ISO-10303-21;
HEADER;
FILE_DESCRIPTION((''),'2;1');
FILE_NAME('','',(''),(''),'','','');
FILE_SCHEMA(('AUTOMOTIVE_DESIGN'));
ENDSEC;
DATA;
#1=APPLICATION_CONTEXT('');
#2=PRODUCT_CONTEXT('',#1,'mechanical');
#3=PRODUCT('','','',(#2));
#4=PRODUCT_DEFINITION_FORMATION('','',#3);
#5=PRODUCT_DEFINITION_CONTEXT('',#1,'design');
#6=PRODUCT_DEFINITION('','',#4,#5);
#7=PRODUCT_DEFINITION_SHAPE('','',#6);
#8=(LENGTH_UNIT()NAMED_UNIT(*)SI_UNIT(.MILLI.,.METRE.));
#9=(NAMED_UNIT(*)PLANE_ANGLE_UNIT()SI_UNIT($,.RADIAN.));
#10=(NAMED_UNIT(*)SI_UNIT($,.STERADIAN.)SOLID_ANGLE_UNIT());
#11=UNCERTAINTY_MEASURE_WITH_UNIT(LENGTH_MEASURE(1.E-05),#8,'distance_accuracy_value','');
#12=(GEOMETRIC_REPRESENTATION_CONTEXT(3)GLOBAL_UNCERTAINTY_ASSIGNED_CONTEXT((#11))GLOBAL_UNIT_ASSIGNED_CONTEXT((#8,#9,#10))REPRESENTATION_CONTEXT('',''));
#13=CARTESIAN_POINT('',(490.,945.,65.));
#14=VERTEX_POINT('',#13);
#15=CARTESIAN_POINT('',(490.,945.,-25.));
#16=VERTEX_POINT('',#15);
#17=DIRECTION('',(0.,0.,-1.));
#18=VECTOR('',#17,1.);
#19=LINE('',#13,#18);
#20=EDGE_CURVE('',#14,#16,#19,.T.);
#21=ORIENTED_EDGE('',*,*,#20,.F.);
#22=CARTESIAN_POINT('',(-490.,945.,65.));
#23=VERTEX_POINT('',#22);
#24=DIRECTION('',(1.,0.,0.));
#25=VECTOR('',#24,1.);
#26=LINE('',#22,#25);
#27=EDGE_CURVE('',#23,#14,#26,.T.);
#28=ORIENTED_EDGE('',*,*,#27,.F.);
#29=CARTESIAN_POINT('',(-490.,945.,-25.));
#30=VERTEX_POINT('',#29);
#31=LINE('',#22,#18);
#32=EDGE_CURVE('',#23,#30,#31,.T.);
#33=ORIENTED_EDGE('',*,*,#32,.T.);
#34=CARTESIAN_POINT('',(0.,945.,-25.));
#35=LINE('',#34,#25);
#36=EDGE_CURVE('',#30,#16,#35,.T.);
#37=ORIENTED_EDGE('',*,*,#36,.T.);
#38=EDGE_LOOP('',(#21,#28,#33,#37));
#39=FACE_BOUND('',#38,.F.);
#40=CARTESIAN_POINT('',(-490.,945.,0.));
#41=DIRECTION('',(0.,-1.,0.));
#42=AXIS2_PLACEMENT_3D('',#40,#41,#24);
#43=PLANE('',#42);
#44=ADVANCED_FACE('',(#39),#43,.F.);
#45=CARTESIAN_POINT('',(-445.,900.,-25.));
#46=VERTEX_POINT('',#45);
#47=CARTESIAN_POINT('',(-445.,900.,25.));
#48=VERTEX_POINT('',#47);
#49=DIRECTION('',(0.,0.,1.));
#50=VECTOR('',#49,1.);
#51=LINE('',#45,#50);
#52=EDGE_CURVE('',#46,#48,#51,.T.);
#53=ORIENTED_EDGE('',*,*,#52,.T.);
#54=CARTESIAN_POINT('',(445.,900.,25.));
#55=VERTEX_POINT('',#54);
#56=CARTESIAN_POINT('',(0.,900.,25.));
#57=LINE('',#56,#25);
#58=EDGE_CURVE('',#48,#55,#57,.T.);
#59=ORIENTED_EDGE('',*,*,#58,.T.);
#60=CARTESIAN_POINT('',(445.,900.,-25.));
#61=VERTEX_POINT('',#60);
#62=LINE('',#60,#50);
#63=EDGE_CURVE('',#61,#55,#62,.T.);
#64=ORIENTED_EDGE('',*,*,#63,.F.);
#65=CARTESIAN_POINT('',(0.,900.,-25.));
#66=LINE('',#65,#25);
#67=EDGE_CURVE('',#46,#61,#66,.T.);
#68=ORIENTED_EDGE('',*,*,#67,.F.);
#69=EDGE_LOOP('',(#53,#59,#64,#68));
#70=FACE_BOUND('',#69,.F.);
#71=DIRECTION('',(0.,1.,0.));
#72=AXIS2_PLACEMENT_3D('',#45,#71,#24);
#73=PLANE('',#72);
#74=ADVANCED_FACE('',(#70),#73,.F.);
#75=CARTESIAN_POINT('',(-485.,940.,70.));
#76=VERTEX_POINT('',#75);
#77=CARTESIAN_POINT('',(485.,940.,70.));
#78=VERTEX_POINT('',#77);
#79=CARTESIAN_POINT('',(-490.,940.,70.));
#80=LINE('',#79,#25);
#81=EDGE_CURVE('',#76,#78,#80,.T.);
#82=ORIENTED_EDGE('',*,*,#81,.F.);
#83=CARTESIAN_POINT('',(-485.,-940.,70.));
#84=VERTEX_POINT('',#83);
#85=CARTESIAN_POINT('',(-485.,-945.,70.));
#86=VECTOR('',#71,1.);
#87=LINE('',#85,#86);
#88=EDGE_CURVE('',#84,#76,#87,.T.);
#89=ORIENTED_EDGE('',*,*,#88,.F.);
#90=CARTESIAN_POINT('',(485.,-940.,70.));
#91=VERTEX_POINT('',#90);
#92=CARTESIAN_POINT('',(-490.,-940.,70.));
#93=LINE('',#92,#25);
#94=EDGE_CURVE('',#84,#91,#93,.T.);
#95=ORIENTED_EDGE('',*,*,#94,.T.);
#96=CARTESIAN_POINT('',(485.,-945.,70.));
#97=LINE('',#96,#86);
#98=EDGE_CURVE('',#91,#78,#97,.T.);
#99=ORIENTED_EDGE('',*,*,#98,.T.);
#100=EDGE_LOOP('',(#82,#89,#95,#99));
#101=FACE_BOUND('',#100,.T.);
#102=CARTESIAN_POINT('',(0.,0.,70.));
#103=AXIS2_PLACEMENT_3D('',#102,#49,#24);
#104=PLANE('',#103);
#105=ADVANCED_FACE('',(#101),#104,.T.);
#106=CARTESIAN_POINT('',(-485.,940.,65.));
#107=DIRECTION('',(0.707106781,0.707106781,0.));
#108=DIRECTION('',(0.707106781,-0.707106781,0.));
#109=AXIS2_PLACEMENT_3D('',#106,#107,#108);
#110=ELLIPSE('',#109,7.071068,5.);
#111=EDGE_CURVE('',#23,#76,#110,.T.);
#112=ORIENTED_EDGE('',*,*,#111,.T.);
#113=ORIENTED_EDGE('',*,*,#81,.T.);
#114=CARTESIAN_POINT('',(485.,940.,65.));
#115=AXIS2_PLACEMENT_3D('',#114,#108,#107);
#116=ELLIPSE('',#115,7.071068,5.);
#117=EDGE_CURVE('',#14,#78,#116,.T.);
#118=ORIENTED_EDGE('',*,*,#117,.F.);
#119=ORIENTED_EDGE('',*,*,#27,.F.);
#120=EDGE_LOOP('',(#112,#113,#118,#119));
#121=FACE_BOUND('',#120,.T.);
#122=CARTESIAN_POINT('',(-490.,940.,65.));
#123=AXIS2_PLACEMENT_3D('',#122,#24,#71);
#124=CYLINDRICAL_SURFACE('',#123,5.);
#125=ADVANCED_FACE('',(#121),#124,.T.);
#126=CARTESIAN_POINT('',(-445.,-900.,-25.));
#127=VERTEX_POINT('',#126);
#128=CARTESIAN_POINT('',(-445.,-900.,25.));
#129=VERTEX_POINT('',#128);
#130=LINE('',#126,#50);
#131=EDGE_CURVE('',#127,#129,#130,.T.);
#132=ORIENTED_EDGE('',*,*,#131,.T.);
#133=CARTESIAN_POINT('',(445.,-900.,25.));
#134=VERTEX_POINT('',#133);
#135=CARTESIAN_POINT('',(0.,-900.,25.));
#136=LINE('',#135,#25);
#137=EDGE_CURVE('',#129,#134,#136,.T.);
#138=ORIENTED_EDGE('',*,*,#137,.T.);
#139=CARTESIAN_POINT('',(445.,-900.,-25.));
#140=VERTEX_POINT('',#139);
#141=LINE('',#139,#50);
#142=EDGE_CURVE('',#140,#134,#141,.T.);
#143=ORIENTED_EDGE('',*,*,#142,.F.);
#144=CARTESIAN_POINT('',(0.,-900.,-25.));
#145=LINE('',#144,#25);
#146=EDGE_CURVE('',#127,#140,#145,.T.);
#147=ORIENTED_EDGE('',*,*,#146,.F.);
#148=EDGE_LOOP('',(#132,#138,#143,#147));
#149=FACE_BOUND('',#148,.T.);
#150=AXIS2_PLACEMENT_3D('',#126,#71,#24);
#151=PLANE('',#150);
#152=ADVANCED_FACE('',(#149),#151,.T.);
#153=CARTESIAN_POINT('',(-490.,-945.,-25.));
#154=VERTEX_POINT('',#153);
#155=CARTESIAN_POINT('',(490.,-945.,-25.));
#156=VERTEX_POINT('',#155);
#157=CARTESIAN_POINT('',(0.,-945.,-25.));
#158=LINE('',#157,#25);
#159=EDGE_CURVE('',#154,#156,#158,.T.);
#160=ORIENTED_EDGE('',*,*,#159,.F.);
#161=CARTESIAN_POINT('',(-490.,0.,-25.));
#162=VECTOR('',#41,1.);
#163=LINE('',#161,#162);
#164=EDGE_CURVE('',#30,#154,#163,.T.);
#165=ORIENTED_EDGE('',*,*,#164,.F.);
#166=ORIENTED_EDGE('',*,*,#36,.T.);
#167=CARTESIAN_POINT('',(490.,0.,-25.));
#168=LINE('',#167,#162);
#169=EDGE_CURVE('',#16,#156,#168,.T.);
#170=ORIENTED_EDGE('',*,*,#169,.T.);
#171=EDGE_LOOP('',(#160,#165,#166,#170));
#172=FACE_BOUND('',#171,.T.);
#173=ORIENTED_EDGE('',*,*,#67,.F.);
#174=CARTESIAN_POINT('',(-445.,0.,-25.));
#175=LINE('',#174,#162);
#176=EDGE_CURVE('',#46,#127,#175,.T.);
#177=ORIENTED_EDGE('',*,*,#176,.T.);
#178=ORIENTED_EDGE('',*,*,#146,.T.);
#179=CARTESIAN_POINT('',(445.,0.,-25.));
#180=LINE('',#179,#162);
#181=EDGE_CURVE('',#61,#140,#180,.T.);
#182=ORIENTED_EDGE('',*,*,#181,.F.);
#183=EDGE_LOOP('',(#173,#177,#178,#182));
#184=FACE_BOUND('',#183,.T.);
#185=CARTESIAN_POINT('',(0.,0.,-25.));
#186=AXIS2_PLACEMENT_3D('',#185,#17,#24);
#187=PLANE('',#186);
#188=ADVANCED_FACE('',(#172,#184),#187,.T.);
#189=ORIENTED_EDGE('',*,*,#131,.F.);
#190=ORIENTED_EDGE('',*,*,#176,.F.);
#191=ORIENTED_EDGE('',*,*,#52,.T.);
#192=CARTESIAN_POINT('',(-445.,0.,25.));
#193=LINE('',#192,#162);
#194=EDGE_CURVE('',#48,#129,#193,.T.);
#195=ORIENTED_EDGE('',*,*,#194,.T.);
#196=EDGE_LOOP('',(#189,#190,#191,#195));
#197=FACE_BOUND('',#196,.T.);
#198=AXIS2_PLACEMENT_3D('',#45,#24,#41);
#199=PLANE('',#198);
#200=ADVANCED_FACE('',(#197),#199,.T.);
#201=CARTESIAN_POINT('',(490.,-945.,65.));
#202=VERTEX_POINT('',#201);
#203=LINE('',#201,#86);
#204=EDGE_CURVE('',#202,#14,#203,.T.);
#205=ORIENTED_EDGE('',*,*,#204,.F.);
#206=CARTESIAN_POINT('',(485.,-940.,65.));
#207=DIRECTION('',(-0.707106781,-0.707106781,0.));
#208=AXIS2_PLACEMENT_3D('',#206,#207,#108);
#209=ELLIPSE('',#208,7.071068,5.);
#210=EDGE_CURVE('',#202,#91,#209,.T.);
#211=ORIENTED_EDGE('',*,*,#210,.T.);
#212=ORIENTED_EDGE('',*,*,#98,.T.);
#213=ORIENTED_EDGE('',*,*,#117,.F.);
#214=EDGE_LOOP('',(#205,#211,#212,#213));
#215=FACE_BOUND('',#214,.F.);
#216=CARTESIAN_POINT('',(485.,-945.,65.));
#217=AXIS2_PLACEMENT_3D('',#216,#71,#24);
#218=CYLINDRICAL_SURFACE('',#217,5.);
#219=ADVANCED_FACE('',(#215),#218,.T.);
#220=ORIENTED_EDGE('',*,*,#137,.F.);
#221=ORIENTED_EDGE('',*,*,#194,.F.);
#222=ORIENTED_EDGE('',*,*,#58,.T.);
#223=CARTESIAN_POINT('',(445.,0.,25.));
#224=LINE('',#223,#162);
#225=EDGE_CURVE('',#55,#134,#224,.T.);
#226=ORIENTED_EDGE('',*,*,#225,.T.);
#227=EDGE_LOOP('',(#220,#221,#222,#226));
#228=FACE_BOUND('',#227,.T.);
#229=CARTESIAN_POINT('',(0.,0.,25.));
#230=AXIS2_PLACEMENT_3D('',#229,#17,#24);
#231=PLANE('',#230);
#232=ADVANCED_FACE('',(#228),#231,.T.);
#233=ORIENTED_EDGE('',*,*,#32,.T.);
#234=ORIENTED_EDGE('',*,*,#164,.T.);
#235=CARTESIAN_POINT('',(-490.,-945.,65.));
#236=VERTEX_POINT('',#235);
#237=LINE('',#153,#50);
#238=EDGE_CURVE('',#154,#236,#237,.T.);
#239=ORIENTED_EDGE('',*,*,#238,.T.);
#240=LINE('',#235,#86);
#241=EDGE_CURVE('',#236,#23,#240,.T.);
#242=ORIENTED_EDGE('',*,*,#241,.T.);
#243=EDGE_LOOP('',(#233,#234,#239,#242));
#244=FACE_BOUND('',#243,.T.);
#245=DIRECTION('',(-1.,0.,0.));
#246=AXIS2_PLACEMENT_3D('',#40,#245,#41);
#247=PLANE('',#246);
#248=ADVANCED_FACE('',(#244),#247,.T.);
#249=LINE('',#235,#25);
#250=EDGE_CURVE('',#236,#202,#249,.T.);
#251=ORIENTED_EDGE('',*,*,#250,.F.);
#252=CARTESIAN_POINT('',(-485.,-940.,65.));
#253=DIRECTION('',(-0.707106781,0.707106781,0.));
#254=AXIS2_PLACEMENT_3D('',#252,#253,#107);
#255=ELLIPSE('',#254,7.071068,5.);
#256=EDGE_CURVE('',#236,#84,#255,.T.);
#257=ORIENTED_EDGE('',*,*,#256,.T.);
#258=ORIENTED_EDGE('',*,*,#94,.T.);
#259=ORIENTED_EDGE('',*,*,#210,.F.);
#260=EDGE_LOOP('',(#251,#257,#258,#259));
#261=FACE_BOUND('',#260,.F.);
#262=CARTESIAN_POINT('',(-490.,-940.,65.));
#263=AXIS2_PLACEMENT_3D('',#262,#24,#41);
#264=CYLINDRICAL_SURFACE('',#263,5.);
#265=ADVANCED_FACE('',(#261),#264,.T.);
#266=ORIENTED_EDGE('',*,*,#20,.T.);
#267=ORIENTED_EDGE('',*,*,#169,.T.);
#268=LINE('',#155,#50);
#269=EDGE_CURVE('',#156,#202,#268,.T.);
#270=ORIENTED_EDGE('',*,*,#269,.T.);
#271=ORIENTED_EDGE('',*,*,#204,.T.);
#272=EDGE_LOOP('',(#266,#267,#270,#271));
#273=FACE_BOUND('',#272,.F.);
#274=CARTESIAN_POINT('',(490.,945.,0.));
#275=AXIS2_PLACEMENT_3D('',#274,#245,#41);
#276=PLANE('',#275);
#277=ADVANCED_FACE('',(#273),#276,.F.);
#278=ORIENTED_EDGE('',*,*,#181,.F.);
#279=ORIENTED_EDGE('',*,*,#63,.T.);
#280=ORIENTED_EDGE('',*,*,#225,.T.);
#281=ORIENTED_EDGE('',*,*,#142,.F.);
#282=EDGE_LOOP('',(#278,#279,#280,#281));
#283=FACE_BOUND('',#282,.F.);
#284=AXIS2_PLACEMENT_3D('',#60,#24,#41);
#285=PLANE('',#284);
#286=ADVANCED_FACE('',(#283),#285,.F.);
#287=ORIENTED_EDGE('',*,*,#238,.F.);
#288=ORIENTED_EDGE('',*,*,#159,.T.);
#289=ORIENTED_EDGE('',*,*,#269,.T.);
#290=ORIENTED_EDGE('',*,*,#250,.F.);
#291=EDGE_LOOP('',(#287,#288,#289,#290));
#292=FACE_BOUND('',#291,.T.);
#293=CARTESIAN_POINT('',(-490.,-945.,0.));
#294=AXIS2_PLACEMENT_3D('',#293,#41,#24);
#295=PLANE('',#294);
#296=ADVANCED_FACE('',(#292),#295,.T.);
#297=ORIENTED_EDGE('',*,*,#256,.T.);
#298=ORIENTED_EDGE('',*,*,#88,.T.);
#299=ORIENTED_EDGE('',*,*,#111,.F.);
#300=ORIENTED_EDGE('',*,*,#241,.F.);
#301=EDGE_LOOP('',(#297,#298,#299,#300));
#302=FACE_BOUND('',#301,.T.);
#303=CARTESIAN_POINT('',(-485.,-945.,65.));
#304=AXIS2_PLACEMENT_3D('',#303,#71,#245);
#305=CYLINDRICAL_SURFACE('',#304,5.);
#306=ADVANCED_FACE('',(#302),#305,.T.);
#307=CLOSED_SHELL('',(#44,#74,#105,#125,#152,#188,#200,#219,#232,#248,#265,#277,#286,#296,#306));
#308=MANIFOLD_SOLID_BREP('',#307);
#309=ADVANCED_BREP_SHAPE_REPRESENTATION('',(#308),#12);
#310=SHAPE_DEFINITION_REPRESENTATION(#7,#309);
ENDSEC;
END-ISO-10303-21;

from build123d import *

# Parameters (mm, degrees)
F0_W        = 980
F0_H        = 1890
F1_DEPTH    = 70
F2_R        = 5
F3_W        = 980
F3_H        = 1890
F1_FACE_W   = 980
F1_FACE_H   = 1890
F1_FACE_W_2 = 970
F1_FACE_H_2 = 1880
F4_DEPTH    = 25
F5_W        = 890
F5_H        = 1800
F6_DEPTH    = 50


with BuildPart() as f1:
    # F0 (on Top) → F1 (new body)
    with BuildSketch(Plane.XY):
        Rectangle(F0_W, F0_H)
    extrude(amount=F1_DEPTH)

    # F2
    f2_edges = [f1.edges().sort_by_distance(p)[0] for p in [
        (0, 945, 70),
        (-490, 0, 70),
        (0, -945, 70),
        (490, 0, 70),
    ]]
    fillet(f2_edges, radius=F2_R)

    # F3 (on face) + F1_face (on face) → F4 (join)
    with BuildSketch(Plane(origin=(0, 0, 0), x_dir=(1, 0, 0), z_dir=(0, 0, -1))):
        Rectangle(F3_W, F3_H)
    with BuildSketch(Plane(origin=(0, 0, 0), x_dir=(1, 0, 0), z_dir=(0, 0, -1))):
        Rectangle(F1_FACE_W, F1_FACE_H)
        Rectangle(F1_FACE_W_2, F1_FACE_H_2)
    extrude(amount=F4_DEPTH)

    # F5 (on face) → F6 (cut)
    with BuildSketch(Plane(origin=(0, 0, -25), x_dir=(1, 0, 0), z_dir=(0, 0, -1))):
        Rectangle(F5_W, F5_H)
    extrude(amount=-F6_DEPTH, mode=Mode.SUBTRACT)


solid = f1.part
